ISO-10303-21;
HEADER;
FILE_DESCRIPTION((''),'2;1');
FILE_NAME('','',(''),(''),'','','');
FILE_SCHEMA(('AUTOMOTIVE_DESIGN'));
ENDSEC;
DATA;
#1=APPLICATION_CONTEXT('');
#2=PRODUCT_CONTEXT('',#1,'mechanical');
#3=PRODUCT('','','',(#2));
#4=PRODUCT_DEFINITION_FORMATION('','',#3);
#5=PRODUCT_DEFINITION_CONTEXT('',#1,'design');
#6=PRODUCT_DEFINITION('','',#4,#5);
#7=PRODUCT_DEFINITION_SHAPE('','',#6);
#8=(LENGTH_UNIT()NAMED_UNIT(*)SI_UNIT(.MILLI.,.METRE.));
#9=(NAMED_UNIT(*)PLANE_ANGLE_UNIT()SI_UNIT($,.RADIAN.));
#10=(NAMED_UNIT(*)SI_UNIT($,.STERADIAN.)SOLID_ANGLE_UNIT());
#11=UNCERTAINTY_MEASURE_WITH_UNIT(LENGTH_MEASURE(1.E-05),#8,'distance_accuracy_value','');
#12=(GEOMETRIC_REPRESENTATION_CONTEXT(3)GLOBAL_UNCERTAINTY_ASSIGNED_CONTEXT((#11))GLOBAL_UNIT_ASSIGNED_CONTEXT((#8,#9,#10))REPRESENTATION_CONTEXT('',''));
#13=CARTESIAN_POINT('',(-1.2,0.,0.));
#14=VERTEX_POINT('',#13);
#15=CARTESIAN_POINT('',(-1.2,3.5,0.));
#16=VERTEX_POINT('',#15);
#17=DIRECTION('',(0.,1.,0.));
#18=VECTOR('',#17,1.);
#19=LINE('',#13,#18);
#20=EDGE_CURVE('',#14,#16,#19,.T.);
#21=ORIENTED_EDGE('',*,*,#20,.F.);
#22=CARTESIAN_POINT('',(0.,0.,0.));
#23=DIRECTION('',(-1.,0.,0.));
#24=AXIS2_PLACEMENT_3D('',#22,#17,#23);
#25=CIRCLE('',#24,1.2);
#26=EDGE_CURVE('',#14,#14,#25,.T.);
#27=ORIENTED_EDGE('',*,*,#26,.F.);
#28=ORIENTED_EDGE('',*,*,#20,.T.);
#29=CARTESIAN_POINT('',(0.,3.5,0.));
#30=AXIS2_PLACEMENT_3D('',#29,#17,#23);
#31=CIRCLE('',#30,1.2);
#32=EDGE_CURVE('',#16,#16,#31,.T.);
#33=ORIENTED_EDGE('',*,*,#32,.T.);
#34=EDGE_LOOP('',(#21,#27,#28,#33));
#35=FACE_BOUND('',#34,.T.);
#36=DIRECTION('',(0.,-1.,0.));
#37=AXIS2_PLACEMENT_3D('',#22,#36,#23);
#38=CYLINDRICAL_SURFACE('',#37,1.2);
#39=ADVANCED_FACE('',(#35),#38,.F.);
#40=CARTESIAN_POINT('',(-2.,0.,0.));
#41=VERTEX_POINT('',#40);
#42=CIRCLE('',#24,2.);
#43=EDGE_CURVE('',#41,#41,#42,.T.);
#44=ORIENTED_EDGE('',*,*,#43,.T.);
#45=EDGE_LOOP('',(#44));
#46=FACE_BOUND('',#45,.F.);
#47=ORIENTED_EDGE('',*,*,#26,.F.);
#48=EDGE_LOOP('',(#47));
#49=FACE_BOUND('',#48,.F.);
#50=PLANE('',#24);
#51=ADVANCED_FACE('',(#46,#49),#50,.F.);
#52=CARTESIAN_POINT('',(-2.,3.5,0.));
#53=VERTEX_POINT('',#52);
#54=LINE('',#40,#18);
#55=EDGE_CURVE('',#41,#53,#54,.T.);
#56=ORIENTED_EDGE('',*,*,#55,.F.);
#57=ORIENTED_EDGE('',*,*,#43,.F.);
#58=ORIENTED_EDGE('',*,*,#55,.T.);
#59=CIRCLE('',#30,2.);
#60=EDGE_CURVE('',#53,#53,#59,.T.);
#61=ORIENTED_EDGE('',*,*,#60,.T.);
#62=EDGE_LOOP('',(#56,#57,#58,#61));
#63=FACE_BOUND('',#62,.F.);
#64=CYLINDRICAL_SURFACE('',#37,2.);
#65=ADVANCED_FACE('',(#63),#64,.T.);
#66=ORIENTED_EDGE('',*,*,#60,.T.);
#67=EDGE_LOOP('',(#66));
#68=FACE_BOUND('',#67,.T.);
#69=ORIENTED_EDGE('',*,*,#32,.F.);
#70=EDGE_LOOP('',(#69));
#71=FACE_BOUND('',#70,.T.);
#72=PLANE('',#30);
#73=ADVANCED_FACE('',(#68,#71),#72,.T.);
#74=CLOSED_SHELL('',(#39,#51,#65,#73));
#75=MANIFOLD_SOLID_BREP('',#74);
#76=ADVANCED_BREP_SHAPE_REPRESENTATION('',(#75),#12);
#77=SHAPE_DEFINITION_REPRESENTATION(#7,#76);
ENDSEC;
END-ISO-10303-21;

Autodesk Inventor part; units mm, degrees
ref_plane "YZ Plane" through (0, 0, 0) normal (1, 0, 0) x (0, 1, 0)
ref_plane "XZ Plane" through (0, 0, 0) normal (0, 1, 0) x (-1, 0, 0)
ref_plane "XY Plane" through (0, 0, 0) normal (0, 0, 1) x (1, 0, 0)
sketch "Sketch1" plane through (0, 0, 0) normal (0, 1, 0) x (-1, 0, 0)
  circle A0 centre (0, 0) radius 1.2
  circle A1 centre (0, 0) radius 2
  dimension "d0" = 2.4
  dimension "d1" = 4
extrude "Extrusion1" add sketch "Sketch1" along normal blind 3.5
properties part number "switchplate_spacer"
